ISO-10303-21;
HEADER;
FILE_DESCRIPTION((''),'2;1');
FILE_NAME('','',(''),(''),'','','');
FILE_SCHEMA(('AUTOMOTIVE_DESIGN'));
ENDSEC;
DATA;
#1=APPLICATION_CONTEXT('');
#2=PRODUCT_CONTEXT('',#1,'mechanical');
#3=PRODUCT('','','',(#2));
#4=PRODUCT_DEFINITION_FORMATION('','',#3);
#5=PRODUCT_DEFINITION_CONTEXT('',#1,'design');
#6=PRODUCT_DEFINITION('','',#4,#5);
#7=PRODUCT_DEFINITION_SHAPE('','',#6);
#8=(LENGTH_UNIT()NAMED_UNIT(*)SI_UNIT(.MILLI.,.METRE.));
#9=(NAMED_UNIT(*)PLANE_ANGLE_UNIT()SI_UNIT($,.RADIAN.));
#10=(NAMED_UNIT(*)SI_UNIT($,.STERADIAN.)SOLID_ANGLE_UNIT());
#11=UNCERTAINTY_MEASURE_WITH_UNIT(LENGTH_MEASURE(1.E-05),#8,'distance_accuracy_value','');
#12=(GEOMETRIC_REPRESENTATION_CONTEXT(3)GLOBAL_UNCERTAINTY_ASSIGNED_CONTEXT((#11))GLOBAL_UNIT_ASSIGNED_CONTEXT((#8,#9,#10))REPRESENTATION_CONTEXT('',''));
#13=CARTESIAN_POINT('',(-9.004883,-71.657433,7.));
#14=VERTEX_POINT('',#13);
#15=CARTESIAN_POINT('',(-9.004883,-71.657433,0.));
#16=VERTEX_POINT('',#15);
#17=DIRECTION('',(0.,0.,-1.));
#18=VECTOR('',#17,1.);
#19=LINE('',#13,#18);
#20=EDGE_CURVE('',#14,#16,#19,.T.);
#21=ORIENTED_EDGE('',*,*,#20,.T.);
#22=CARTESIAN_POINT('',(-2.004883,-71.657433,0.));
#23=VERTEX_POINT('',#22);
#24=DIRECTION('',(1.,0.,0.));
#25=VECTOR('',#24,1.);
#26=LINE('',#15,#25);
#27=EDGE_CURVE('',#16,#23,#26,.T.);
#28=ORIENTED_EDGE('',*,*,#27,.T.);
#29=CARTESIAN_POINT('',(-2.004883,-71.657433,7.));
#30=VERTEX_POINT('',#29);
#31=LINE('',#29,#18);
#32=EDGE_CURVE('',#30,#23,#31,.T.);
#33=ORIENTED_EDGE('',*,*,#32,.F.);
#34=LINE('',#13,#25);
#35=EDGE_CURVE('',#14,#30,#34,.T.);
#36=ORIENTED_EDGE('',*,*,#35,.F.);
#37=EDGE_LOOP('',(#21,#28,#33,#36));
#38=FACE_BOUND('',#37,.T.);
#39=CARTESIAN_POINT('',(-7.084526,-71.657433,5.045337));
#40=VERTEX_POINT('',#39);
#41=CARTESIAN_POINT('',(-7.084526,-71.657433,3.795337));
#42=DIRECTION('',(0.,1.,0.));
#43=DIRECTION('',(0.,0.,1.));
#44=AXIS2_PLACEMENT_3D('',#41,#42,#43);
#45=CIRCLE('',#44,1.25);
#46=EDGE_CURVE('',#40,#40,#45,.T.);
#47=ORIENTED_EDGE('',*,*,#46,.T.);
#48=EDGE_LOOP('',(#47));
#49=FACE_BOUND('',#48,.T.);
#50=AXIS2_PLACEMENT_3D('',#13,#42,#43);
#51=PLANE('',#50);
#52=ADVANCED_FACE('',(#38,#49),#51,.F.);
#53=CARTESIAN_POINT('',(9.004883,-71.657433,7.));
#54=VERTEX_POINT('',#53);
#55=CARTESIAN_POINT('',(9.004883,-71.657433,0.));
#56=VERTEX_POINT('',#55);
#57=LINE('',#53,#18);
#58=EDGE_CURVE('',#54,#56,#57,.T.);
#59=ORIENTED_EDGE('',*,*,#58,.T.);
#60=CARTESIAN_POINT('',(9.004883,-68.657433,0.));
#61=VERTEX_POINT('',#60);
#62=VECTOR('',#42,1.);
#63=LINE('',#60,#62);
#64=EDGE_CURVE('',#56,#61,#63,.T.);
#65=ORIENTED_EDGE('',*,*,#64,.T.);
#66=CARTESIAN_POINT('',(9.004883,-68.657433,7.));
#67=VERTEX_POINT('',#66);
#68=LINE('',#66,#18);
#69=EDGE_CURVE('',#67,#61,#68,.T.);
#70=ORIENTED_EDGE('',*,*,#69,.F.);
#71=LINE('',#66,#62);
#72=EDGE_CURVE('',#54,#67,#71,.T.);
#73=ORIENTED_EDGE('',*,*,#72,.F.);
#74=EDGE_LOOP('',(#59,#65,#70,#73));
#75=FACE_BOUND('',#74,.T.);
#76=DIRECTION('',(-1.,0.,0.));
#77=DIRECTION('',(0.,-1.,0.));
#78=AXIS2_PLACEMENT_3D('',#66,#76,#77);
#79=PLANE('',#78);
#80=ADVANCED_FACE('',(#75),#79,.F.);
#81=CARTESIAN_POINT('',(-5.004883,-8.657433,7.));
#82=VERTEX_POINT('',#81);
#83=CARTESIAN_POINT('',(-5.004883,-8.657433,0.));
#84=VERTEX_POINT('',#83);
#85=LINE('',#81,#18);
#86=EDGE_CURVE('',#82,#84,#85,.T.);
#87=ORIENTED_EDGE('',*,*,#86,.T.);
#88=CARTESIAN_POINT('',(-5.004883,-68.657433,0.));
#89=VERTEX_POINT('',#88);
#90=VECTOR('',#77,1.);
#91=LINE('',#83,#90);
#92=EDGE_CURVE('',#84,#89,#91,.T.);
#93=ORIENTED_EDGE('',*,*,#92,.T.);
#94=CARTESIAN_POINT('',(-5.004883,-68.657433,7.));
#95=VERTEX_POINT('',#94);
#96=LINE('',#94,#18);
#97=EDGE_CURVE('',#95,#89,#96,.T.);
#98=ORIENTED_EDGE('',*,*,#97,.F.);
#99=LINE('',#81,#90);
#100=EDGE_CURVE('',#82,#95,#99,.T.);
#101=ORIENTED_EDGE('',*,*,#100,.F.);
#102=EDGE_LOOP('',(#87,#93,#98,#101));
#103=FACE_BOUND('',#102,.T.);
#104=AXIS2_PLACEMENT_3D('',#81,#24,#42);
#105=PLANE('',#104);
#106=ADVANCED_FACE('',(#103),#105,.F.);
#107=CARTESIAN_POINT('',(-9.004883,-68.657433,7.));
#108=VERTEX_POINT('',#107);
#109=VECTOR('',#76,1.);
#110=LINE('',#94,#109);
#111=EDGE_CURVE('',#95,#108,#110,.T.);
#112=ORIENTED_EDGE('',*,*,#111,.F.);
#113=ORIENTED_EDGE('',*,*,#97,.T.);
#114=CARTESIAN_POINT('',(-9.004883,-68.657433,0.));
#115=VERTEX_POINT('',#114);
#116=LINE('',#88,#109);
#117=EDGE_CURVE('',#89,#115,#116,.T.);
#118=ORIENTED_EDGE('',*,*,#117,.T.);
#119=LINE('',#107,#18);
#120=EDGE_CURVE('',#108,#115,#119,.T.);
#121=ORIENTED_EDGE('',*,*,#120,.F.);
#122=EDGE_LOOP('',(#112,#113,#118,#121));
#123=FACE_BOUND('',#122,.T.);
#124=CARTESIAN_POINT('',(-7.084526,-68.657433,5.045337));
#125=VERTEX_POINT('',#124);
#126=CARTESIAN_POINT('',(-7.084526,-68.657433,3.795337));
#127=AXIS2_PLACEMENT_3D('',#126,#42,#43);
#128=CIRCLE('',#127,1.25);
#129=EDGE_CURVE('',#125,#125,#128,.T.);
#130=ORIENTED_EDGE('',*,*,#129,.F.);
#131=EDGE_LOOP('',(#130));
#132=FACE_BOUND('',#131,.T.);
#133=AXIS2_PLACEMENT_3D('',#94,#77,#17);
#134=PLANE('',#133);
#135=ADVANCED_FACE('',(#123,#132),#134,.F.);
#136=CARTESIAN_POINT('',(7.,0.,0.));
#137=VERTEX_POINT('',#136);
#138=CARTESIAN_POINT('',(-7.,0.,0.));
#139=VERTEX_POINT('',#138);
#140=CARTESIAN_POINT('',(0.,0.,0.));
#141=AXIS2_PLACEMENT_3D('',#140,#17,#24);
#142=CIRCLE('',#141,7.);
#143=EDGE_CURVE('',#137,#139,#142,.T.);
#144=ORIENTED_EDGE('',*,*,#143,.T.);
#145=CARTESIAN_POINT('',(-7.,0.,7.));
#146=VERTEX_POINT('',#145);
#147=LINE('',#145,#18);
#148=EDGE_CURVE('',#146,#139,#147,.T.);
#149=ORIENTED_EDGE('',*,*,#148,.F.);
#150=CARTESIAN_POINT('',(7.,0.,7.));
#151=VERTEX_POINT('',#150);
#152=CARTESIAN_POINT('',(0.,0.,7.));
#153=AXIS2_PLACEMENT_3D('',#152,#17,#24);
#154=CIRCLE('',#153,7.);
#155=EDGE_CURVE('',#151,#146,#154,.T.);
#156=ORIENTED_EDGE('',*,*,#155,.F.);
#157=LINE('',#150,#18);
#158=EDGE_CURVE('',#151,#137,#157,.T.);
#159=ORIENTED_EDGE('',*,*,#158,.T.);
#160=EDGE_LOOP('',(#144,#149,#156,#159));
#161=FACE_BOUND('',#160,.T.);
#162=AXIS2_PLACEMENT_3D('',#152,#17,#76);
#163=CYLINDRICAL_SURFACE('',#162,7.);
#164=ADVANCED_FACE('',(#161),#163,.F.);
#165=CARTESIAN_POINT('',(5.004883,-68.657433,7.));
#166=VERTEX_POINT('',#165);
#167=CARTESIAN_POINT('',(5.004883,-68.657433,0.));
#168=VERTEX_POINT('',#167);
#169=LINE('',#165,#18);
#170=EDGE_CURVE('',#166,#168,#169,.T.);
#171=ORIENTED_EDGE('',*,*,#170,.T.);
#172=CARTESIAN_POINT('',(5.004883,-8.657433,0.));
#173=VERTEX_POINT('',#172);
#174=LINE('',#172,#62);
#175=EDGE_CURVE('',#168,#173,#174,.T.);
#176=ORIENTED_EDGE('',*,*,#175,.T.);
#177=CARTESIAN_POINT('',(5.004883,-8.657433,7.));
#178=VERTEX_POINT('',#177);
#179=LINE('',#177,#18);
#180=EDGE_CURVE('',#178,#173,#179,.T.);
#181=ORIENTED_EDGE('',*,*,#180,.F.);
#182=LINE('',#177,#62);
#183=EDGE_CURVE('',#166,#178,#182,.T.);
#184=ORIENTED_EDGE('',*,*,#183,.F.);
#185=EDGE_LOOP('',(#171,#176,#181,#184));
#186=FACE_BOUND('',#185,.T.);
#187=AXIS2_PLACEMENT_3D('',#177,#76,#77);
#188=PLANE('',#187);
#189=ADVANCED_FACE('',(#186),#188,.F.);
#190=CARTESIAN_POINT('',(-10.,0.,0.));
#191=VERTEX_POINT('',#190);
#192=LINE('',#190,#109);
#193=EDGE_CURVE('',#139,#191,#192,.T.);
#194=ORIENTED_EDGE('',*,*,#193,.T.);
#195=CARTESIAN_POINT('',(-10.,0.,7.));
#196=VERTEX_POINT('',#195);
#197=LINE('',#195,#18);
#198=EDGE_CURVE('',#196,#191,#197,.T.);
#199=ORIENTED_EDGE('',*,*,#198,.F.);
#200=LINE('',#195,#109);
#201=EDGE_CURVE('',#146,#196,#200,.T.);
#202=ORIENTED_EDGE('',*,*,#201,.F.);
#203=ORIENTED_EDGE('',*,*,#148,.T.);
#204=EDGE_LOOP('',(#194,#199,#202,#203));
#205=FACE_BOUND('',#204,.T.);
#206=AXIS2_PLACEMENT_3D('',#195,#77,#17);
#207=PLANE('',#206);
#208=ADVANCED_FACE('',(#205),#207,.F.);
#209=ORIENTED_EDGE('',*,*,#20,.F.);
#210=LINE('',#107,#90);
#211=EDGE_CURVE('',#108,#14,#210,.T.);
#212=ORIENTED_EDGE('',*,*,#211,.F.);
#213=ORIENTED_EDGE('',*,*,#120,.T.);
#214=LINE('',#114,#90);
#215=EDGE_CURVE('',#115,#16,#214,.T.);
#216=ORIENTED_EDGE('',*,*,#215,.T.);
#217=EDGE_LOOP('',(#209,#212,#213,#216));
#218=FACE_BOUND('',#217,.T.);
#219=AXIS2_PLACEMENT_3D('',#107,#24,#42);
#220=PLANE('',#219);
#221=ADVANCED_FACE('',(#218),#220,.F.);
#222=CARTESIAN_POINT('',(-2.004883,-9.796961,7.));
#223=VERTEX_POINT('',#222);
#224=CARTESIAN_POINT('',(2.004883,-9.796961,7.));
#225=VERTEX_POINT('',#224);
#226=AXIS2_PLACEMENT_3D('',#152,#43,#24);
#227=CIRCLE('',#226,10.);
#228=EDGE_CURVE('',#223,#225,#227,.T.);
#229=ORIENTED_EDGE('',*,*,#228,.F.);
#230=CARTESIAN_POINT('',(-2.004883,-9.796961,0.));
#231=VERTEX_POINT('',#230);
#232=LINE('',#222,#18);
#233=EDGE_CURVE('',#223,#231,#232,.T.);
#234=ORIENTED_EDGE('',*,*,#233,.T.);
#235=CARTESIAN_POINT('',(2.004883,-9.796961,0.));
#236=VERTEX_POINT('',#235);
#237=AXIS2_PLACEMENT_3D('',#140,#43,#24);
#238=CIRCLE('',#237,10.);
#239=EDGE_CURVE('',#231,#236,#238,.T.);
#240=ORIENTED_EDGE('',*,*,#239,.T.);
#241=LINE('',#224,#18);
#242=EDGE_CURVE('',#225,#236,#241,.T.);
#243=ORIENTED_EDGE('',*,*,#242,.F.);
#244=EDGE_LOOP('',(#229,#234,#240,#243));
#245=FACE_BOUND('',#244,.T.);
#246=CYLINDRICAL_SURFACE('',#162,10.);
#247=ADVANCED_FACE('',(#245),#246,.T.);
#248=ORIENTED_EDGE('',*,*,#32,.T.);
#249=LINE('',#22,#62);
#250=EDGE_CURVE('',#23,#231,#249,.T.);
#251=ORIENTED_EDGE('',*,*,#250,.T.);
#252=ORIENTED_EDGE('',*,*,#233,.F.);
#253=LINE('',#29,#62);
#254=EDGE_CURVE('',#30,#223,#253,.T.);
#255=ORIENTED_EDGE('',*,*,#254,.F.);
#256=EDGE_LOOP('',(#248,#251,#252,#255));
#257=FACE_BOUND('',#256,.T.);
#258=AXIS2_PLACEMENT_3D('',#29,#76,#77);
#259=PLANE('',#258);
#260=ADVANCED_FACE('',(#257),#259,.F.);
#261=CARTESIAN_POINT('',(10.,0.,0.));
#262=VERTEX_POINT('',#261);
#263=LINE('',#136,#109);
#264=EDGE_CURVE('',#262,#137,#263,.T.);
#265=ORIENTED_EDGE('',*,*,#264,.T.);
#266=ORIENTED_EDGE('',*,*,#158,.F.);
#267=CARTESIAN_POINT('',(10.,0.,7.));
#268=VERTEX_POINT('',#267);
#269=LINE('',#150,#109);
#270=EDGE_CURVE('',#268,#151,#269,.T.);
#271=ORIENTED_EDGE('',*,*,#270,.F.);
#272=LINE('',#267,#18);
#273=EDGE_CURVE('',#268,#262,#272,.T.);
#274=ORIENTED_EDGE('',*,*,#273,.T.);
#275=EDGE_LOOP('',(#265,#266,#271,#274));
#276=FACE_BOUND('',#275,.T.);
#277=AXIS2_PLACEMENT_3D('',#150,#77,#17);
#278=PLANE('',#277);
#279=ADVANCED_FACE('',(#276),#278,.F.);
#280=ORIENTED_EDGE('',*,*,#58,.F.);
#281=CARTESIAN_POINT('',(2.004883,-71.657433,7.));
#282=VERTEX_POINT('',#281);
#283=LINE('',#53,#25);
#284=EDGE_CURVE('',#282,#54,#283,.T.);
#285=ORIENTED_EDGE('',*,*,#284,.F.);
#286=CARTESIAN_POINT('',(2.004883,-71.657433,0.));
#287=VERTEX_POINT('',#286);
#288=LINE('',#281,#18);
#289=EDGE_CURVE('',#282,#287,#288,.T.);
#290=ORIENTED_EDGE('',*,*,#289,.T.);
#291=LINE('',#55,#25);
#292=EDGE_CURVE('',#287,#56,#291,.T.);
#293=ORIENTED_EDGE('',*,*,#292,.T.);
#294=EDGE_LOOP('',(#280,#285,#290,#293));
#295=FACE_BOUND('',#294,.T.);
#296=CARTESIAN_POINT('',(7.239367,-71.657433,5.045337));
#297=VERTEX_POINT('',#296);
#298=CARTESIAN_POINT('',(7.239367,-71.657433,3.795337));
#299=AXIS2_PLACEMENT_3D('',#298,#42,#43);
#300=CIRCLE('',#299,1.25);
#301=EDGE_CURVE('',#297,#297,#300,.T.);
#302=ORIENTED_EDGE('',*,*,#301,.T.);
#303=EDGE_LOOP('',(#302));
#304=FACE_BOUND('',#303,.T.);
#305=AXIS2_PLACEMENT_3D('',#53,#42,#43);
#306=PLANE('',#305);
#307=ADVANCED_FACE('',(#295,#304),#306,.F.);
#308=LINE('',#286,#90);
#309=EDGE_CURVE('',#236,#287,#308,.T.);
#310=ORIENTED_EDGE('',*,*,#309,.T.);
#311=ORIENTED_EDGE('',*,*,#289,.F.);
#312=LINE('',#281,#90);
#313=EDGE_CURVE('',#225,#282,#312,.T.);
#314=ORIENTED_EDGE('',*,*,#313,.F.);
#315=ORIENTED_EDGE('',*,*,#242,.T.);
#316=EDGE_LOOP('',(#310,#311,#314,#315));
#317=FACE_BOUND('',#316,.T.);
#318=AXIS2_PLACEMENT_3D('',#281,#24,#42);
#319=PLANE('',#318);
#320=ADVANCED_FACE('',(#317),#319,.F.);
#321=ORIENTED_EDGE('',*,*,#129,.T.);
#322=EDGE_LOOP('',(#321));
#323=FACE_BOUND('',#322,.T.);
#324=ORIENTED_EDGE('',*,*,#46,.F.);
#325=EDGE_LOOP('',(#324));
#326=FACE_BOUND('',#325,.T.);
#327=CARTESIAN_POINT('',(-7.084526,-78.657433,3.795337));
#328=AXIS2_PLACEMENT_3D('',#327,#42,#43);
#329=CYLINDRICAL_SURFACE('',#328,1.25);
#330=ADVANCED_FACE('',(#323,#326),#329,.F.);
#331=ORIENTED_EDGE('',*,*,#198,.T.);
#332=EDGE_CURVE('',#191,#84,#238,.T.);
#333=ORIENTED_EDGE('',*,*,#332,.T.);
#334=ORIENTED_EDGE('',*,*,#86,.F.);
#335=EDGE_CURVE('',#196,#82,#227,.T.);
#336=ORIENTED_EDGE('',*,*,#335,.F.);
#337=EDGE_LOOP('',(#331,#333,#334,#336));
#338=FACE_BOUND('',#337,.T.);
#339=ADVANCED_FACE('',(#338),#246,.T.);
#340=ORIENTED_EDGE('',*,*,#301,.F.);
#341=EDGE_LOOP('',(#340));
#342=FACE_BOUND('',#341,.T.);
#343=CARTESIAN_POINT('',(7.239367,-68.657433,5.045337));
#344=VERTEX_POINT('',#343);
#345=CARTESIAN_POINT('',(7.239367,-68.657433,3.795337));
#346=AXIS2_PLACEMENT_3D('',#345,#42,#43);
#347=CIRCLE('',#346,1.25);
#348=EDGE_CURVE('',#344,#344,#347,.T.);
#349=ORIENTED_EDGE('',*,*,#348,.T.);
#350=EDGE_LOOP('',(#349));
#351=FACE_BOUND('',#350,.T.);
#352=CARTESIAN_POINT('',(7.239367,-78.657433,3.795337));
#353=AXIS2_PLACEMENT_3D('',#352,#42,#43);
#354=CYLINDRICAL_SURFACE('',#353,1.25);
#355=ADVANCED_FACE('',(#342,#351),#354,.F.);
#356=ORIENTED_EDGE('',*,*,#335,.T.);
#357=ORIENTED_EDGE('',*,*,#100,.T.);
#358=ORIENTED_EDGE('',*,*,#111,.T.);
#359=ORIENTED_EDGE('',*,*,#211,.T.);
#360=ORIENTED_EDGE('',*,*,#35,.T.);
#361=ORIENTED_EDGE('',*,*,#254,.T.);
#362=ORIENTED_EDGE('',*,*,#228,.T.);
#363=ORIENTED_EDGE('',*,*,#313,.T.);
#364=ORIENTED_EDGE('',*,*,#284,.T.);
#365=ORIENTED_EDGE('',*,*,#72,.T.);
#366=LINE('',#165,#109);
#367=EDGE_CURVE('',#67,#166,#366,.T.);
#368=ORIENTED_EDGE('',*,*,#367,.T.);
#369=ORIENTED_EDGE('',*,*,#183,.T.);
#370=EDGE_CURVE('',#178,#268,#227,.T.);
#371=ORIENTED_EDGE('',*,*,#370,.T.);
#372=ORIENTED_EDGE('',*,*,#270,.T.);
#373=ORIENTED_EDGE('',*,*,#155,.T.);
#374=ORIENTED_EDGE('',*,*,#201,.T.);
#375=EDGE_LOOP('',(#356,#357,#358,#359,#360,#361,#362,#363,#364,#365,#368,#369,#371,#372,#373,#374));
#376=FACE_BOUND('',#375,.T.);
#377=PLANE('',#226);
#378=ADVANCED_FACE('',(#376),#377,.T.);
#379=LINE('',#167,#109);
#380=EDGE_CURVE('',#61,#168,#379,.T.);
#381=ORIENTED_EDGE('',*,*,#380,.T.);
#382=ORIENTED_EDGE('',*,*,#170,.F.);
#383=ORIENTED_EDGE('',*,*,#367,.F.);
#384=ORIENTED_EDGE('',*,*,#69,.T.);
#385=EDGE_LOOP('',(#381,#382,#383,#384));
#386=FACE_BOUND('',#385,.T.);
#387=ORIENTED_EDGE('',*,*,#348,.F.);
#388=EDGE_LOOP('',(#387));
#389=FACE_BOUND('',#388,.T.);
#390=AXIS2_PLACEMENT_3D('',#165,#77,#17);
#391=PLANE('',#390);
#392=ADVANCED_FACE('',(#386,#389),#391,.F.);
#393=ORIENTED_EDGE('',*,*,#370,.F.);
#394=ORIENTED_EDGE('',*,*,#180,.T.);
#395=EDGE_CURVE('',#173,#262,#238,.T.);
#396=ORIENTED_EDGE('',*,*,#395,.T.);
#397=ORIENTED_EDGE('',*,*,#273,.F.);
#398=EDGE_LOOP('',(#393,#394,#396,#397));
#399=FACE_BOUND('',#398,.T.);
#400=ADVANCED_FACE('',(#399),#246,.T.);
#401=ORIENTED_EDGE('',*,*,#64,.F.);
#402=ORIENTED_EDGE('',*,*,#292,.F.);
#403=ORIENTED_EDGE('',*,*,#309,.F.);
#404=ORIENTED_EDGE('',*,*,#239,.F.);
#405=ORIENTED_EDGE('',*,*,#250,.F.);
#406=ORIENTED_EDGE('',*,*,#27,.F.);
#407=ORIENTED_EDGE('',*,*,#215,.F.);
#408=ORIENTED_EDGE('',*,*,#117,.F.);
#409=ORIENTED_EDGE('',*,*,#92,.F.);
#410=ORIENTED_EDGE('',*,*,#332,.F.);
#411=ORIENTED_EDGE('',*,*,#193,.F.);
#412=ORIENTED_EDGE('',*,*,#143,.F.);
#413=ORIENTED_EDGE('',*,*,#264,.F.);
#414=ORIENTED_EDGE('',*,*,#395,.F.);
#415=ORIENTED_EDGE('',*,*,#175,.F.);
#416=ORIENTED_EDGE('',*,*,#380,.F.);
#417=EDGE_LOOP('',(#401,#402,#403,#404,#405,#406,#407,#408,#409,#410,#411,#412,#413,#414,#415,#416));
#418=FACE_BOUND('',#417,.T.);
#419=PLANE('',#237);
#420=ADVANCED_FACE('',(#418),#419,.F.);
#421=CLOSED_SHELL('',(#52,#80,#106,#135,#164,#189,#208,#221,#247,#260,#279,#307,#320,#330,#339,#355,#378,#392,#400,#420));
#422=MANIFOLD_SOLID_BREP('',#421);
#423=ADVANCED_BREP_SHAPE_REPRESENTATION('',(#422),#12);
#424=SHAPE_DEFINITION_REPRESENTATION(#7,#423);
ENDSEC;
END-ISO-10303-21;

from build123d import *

# Parameters (mm, degrees)
BOSS_EXTRUDE1_DEPTH = 7
SKETCH3_R           = 1.25
CUT_EXTRUDE1_DEPTH  = 10


with BuildPart() as part:
    # Sketch2 → Boss-Extrude1 (new body)
    with BuildSketch(Plane.XY):
        with BuildLine():
            Line((-5.004882759, -8.657433139), (-5.004882759, -68.657433139))
            Line((-5.004882759, -68.657433139), (-9.004882759, -68.657433139))
            Line((-9.004882759, -68.657433139), (-9.004882759, -71.657433139))
            Line((-9.004882759, -71.657433139), (-2.004882759, -71.657433139))
            Line((-2.004882759, -71.657433139), (-2.004882759, -9.796961015))
            ThreePointArc((-2.004882759, -9.796961015), (0, -10), (2.004882759, -9.796961015))
            Line((2.004882759, -9.796961015), (2.004882759, -71.657433139))
            Line((2.004882759, -71.657433139), (9.004882759, -71.657433139))
            Line((9.004882759, -71.657433139), (9.004882759, -68.657433139))
            Line((9.004882759, -68.657433139), (5.004882759, -68.657433139))
            Line((5.004882759, -68.657433139), (5.004882759, -8.657433139))
            ThreePointArc((5.004882759, -8.657433139), (8.661663454, -4.997558024), (10, 0))
            Line((10, 0), (7, 0))
            ThreePointArc((7, 0), (0, -7), (-7, 0))
            Line((-7, 0), (-10, 0))
            ThreePointArc((-10, 0), (-8.661663454, -4.997558024), (-5.004882759, -8.657433139))
        make_face()
    extrude(amount=BOSS_EXTRUDE1_DEPTH)

    # Sketch3 → Cut-Extrude1 (cut)
    with BuildSketch(Plane(origin=(0, -68.657433139, 0), x_dir=(1, 0, 0), z_dir=(0, 1, 0))):
        with Locations(Location((-7.084526396, -3.795336707, 0), (0, 0, 270))):
            Circle(SKETCH3_R)
        with Locations(Location((7.239366758, -3.795336707, 0), (0, 0, 270))):
            Circle(SKETCH3_R)
    extrude(amount=-CUT_EXTRUDE1_DEPTH, mode=Mode.SUBTRACT)


solid = part.part
